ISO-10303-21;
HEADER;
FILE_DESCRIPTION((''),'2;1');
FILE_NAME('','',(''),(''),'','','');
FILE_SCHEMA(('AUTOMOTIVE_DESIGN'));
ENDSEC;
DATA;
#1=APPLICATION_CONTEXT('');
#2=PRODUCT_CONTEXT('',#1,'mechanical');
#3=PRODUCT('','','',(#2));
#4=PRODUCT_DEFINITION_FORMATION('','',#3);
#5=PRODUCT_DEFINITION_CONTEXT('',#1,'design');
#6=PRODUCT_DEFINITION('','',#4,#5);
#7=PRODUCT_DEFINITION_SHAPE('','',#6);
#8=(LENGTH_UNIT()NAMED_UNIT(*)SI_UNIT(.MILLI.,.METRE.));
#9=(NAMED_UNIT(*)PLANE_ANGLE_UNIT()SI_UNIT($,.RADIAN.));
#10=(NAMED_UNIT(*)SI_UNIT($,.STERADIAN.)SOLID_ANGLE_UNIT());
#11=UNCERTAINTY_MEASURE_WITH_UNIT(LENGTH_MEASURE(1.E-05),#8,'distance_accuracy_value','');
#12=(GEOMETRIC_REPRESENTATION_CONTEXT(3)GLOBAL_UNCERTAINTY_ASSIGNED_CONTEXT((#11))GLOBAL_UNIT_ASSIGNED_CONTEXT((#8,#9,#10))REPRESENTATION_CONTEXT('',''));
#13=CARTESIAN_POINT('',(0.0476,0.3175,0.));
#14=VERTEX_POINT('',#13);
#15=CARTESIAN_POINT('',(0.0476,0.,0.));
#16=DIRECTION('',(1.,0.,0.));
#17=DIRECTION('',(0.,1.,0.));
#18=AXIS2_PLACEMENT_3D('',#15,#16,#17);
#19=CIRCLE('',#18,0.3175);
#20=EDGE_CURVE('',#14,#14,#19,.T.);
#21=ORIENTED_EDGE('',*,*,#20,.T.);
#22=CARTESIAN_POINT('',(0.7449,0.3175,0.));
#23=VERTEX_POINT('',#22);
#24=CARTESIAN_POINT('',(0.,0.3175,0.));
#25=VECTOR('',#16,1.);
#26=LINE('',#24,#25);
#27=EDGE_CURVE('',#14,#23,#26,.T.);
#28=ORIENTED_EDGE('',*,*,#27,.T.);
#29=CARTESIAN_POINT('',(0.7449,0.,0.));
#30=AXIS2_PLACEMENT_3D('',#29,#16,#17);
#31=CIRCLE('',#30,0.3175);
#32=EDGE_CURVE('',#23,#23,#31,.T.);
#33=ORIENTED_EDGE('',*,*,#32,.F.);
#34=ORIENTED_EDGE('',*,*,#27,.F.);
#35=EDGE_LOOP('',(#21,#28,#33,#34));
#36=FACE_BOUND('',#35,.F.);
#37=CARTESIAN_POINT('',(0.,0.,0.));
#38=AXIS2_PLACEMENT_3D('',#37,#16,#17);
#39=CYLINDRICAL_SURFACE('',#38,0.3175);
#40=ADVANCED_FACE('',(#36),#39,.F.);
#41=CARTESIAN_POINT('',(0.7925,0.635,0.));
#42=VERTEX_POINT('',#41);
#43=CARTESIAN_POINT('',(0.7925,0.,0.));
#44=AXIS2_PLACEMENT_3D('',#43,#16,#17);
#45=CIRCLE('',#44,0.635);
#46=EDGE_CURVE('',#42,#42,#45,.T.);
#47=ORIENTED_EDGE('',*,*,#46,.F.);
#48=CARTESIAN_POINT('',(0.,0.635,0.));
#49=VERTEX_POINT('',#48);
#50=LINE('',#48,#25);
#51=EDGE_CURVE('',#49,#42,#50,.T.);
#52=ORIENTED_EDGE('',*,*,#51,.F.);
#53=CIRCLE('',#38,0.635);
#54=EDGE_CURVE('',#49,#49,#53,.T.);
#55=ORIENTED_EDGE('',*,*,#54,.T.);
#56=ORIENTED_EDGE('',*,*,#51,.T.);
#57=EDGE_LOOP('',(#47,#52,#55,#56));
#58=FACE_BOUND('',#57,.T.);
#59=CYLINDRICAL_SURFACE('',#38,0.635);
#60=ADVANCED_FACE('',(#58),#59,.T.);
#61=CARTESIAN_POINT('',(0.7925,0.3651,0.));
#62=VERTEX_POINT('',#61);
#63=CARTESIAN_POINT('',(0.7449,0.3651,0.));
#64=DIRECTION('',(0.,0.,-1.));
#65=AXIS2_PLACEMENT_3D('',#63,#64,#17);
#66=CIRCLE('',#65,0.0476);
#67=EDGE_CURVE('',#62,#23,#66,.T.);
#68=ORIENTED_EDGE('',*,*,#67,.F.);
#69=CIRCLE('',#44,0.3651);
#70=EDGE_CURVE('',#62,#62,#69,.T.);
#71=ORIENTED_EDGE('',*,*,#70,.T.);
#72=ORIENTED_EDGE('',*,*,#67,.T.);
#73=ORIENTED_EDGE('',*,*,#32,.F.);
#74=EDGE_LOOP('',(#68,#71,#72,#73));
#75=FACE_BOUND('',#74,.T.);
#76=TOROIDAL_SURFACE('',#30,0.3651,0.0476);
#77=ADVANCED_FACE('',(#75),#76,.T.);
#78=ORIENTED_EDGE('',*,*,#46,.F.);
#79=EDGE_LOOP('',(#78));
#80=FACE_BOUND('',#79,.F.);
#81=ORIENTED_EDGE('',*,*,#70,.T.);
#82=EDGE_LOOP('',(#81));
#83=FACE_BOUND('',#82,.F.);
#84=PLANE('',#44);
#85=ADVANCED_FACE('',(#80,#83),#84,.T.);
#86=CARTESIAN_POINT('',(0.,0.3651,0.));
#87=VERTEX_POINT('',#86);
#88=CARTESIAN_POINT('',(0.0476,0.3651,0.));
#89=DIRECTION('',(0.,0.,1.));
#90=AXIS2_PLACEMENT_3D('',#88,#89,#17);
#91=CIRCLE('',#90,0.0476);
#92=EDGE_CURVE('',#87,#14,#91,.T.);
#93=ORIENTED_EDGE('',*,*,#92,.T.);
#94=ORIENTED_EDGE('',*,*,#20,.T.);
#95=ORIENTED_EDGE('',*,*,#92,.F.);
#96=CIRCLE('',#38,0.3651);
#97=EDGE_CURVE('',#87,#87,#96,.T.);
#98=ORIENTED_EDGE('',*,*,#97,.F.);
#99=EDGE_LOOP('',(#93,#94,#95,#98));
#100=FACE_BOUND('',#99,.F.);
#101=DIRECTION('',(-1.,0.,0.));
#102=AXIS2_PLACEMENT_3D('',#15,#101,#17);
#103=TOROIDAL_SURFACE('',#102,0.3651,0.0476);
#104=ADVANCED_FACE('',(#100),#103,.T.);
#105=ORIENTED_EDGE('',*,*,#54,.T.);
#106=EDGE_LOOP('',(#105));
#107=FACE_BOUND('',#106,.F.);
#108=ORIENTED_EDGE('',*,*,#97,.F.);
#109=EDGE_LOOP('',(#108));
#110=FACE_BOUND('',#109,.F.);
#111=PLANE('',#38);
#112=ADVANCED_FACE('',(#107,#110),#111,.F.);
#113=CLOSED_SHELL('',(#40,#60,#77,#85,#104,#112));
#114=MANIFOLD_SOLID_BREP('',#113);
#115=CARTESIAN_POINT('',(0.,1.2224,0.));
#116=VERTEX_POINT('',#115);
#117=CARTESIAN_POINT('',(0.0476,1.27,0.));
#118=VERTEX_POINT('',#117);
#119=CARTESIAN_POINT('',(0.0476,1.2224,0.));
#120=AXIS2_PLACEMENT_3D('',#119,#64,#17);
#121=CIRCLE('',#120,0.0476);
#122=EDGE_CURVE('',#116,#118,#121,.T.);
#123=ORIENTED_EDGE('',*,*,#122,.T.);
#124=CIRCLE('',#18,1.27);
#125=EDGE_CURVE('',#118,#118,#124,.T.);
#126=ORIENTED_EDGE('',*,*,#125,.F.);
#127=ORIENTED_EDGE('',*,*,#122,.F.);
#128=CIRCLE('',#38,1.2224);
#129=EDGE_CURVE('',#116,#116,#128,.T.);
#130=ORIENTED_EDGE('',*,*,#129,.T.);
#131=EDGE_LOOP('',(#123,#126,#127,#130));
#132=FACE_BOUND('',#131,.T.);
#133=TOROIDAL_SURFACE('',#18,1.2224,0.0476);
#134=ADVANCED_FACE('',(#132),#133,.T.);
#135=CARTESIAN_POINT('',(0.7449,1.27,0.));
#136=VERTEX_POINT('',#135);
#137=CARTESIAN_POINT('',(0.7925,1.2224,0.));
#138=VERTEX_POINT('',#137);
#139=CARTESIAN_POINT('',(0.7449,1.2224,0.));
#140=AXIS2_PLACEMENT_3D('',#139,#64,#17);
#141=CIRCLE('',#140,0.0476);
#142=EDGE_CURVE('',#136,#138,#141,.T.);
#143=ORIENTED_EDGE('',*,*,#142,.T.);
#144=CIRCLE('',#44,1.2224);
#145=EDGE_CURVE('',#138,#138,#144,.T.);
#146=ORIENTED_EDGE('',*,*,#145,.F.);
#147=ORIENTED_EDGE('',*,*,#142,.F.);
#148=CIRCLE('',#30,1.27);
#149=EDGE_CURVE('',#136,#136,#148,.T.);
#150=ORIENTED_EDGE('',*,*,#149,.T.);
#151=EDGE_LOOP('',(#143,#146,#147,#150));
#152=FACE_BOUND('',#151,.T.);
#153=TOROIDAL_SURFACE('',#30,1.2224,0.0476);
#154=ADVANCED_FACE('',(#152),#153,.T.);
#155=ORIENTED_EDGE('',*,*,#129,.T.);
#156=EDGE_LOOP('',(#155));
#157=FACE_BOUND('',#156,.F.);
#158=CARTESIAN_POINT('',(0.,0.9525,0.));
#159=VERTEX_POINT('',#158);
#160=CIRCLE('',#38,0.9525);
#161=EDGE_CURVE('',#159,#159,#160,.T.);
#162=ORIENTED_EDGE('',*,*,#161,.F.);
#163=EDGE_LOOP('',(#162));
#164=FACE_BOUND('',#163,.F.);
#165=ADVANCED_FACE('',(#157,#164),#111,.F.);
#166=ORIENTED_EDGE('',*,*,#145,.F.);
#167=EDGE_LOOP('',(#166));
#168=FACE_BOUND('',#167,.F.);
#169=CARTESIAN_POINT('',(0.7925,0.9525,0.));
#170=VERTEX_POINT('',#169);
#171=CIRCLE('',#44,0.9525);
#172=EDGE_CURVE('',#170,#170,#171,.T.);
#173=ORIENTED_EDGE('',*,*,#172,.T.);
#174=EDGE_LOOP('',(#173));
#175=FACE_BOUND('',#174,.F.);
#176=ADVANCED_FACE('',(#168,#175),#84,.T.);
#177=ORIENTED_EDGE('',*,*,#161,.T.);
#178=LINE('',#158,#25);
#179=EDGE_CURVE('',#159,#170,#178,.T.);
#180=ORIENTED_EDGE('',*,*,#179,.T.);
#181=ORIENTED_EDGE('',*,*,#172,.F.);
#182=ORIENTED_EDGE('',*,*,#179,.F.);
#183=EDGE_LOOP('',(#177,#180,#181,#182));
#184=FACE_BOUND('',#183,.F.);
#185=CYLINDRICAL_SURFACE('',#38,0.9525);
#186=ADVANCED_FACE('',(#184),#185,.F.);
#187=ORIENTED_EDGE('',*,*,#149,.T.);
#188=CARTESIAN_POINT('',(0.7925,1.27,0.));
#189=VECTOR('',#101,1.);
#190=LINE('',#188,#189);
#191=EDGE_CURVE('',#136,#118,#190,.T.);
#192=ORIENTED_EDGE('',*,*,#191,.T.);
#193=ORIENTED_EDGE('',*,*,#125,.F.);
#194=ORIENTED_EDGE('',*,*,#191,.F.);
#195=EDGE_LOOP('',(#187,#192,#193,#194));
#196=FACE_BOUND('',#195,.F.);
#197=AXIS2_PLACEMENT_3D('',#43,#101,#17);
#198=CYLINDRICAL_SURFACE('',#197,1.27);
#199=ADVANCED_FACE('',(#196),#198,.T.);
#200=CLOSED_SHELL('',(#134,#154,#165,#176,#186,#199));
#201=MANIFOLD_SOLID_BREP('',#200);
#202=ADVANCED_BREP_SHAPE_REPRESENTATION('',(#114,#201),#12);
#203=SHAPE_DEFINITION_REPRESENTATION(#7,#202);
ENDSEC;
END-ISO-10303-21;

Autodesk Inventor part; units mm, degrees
ref_plane "YZ Plane" through (0, 0, 0) normal (1, 0, 0) x (0, 1, 0)
ref_plane "XZ Plane" through (0, 0, 0) normal (0, 1, 0) x (-1, 0, 0)
ref_plane "XY Plane" through (0, 0, 0) normal (0, 0, 1) x (1, 0, 0)
sketch "Sketch" plane through (0, 0, 0) normal (0, 0, 1) x (1, 0, 0)
  line L0 (0, 0) -> (0.7925, 0)
  line L1 (0, 0) -> (0, 0.3175) construction
  line L2 (0, 0.3175) -> (0.7925, 0.3175)
  line L3 (0.7925, 0.3175) -> (0.7925, 1.27)
  line L4 (0.7925, 1.27) -> (0, 1.27)
  line L5 (0, 1.27) -> (0, 0.3175)
  line L6 (0, 0.7937) -> (0.7925, 0.7937)
  line L7 (0, 0.9525) -> (0.7925, 0.9525)
  line L8 (0, 0.635) -> (0.7925, 0.635)
  dimension "d0" = 0.7925
  dimension "d1" = 0.635
  dimension "d2" = 1.27
  dimension "d3" = 2.54
revolve "Body" add sketch "Sketch" angle 360 about axis through (0, 0, 0) along (1, 0, 0) contours L5 L8 L3 L2 | L5 L4 L3 L7
fillet "Fillet1" radius 0.0476 4 edges at (0, -1.27, 0) (0.7925, -1.27, 0) (0, -0.3175, 0) (0.7925, -0.3175, 0)
equation "\"d5\" = -0.025 * WD + 0.025 * BD"
equation "\"d0\" = KB"
equation "\"d1\" = WD"
equation "\"d2\" = 0.333333 * BD + 0.666667 * WD"
equation "\"d3\" = BD"
equation "\"WD\" = 0.635"
equation "\"BD\" = 2.54"
equation "\"KB\" = 0.79248"
equation "\"BBA\" = 0"
equation "\"KRS\" = 0.0762"
equation "\"KR1S\" = 0.0762"
equation "\"BR\" = 0.5 * BD"
equation "\"WR\" = 0.5 * WD"
properties part number "ISO 1224 - 0.025 x  0.1 x  0.0312" material "Steel, Mild"
